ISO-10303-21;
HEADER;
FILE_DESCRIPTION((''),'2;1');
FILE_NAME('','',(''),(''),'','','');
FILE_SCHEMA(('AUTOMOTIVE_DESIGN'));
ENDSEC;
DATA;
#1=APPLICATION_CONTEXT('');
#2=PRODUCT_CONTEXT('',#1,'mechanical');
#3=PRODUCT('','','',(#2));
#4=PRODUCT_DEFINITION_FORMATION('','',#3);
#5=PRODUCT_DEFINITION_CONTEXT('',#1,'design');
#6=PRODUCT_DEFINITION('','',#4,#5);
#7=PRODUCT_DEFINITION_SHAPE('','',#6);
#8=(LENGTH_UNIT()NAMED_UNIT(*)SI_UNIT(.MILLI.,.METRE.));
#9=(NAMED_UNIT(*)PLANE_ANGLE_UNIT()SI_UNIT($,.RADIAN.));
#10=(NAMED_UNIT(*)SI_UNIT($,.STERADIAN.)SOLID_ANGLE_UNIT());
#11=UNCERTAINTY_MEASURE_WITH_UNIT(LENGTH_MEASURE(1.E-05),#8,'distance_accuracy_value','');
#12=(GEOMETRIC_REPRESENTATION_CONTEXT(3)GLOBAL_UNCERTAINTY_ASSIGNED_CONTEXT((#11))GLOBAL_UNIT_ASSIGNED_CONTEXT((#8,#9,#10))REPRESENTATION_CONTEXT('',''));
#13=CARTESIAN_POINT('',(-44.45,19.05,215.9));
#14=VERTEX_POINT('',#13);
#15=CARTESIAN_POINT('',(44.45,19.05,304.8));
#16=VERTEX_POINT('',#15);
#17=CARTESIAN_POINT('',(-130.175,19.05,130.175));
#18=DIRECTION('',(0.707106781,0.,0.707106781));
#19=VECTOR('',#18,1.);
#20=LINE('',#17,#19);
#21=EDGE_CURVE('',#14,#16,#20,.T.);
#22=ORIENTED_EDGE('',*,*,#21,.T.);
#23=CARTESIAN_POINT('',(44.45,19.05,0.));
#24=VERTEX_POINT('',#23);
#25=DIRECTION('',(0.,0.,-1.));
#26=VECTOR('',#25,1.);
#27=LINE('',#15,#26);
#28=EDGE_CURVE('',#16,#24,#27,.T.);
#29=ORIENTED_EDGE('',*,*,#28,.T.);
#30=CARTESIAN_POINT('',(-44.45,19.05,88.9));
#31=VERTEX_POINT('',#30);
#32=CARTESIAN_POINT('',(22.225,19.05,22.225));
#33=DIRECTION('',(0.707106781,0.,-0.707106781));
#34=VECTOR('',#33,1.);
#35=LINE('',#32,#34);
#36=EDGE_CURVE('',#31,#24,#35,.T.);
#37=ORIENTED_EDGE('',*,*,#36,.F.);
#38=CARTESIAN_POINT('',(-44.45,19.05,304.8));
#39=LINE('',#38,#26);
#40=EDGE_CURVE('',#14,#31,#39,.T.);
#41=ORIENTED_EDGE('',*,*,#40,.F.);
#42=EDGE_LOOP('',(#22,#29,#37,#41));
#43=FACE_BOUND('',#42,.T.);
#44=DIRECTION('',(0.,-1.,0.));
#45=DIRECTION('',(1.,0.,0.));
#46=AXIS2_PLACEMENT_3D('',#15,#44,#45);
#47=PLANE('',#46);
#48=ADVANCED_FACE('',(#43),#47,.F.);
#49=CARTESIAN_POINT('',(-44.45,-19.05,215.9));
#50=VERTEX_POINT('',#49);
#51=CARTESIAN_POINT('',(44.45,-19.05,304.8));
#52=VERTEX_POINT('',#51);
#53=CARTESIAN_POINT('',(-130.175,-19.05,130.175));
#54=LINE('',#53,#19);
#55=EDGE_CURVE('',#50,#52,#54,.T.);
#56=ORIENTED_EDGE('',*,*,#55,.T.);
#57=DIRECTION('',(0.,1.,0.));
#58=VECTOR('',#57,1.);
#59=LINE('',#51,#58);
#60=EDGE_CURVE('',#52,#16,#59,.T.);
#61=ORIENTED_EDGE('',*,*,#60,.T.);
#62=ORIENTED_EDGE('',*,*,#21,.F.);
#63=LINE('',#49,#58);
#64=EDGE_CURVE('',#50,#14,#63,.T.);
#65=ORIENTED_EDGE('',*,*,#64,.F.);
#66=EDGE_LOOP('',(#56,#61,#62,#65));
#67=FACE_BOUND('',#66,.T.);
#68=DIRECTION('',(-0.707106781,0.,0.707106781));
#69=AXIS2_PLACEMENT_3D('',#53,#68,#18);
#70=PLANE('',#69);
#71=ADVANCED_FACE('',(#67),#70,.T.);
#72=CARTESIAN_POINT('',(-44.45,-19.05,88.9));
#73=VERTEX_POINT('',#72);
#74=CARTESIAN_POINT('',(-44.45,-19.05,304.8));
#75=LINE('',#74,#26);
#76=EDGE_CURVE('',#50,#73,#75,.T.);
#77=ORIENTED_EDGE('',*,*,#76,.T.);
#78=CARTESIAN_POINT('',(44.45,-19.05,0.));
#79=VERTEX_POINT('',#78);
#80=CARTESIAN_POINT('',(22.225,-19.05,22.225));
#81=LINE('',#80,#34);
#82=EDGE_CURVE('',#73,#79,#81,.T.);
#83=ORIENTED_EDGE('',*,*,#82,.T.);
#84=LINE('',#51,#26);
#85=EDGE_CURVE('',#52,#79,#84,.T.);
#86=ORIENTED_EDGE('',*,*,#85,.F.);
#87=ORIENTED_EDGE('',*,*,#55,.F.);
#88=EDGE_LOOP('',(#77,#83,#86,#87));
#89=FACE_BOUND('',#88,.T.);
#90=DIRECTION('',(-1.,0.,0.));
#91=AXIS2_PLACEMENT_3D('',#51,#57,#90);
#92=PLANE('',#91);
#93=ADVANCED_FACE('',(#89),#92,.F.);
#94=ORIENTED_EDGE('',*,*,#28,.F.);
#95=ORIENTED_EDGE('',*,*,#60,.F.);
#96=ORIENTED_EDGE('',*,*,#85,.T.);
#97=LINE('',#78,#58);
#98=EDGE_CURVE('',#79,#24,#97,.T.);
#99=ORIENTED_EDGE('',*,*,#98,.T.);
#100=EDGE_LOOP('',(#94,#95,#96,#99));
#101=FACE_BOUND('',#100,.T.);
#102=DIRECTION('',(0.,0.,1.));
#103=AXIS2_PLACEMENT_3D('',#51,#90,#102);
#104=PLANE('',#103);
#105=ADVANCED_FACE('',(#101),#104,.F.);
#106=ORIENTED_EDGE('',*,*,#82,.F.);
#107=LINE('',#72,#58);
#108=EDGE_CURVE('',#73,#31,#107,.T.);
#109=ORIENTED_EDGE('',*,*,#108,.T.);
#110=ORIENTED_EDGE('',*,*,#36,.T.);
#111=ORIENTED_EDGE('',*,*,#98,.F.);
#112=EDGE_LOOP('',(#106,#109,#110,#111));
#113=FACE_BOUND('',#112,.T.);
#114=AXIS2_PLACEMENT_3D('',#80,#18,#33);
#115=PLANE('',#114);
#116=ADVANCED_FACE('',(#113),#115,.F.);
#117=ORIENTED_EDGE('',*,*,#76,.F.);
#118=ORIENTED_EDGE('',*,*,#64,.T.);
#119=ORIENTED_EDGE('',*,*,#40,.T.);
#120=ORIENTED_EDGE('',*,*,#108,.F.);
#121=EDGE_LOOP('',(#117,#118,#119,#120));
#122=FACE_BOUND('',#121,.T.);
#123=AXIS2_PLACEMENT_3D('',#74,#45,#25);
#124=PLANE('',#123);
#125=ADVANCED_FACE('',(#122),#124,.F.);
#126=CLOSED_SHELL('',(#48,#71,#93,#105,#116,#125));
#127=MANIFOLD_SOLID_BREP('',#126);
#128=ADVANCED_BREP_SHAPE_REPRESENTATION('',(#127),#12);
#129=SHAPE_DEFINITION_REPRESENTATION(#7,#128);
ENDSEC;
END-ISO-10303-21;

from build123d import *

# Parameters (mm, degrees)
SKETCH1_W           = 88.9
SKETCH1_H           = 38.1
BOSS_EXTRUDE1_DEPTH = 304.8
CUT_EXTRUDE1_DEPTH  = 311.37147501


with BuildPart() as part:
    # Sketch1 → Boss-Extrude1 (new body)
    with BuildSketch(Plane.XY):
        Rectangle(SKETCH1_W, SKETCH1_H)
    extrude(amount=BOSS_EXTRUDE1_DEPTH)

    # Sketch2 → Cut-Extrude1 (cut, through all)
    with BuildSketch(Plane(origin=(0, 19.05, 0), x_dir=(1, 0, 0), z_dir=(0, 1, 0))):
        Polygon((44.45, 0), (-44.45, 0), (-44.45, -88.9), align=None)
        Polygon((-44.45, -304.8), (44.45, -304.8), (-44.45, -215.9), align=None)
    extrude(amount=-CUT_EXTRUDE1_DEPTH, mode=Mode.SUBTRACT)


solid = part.part
